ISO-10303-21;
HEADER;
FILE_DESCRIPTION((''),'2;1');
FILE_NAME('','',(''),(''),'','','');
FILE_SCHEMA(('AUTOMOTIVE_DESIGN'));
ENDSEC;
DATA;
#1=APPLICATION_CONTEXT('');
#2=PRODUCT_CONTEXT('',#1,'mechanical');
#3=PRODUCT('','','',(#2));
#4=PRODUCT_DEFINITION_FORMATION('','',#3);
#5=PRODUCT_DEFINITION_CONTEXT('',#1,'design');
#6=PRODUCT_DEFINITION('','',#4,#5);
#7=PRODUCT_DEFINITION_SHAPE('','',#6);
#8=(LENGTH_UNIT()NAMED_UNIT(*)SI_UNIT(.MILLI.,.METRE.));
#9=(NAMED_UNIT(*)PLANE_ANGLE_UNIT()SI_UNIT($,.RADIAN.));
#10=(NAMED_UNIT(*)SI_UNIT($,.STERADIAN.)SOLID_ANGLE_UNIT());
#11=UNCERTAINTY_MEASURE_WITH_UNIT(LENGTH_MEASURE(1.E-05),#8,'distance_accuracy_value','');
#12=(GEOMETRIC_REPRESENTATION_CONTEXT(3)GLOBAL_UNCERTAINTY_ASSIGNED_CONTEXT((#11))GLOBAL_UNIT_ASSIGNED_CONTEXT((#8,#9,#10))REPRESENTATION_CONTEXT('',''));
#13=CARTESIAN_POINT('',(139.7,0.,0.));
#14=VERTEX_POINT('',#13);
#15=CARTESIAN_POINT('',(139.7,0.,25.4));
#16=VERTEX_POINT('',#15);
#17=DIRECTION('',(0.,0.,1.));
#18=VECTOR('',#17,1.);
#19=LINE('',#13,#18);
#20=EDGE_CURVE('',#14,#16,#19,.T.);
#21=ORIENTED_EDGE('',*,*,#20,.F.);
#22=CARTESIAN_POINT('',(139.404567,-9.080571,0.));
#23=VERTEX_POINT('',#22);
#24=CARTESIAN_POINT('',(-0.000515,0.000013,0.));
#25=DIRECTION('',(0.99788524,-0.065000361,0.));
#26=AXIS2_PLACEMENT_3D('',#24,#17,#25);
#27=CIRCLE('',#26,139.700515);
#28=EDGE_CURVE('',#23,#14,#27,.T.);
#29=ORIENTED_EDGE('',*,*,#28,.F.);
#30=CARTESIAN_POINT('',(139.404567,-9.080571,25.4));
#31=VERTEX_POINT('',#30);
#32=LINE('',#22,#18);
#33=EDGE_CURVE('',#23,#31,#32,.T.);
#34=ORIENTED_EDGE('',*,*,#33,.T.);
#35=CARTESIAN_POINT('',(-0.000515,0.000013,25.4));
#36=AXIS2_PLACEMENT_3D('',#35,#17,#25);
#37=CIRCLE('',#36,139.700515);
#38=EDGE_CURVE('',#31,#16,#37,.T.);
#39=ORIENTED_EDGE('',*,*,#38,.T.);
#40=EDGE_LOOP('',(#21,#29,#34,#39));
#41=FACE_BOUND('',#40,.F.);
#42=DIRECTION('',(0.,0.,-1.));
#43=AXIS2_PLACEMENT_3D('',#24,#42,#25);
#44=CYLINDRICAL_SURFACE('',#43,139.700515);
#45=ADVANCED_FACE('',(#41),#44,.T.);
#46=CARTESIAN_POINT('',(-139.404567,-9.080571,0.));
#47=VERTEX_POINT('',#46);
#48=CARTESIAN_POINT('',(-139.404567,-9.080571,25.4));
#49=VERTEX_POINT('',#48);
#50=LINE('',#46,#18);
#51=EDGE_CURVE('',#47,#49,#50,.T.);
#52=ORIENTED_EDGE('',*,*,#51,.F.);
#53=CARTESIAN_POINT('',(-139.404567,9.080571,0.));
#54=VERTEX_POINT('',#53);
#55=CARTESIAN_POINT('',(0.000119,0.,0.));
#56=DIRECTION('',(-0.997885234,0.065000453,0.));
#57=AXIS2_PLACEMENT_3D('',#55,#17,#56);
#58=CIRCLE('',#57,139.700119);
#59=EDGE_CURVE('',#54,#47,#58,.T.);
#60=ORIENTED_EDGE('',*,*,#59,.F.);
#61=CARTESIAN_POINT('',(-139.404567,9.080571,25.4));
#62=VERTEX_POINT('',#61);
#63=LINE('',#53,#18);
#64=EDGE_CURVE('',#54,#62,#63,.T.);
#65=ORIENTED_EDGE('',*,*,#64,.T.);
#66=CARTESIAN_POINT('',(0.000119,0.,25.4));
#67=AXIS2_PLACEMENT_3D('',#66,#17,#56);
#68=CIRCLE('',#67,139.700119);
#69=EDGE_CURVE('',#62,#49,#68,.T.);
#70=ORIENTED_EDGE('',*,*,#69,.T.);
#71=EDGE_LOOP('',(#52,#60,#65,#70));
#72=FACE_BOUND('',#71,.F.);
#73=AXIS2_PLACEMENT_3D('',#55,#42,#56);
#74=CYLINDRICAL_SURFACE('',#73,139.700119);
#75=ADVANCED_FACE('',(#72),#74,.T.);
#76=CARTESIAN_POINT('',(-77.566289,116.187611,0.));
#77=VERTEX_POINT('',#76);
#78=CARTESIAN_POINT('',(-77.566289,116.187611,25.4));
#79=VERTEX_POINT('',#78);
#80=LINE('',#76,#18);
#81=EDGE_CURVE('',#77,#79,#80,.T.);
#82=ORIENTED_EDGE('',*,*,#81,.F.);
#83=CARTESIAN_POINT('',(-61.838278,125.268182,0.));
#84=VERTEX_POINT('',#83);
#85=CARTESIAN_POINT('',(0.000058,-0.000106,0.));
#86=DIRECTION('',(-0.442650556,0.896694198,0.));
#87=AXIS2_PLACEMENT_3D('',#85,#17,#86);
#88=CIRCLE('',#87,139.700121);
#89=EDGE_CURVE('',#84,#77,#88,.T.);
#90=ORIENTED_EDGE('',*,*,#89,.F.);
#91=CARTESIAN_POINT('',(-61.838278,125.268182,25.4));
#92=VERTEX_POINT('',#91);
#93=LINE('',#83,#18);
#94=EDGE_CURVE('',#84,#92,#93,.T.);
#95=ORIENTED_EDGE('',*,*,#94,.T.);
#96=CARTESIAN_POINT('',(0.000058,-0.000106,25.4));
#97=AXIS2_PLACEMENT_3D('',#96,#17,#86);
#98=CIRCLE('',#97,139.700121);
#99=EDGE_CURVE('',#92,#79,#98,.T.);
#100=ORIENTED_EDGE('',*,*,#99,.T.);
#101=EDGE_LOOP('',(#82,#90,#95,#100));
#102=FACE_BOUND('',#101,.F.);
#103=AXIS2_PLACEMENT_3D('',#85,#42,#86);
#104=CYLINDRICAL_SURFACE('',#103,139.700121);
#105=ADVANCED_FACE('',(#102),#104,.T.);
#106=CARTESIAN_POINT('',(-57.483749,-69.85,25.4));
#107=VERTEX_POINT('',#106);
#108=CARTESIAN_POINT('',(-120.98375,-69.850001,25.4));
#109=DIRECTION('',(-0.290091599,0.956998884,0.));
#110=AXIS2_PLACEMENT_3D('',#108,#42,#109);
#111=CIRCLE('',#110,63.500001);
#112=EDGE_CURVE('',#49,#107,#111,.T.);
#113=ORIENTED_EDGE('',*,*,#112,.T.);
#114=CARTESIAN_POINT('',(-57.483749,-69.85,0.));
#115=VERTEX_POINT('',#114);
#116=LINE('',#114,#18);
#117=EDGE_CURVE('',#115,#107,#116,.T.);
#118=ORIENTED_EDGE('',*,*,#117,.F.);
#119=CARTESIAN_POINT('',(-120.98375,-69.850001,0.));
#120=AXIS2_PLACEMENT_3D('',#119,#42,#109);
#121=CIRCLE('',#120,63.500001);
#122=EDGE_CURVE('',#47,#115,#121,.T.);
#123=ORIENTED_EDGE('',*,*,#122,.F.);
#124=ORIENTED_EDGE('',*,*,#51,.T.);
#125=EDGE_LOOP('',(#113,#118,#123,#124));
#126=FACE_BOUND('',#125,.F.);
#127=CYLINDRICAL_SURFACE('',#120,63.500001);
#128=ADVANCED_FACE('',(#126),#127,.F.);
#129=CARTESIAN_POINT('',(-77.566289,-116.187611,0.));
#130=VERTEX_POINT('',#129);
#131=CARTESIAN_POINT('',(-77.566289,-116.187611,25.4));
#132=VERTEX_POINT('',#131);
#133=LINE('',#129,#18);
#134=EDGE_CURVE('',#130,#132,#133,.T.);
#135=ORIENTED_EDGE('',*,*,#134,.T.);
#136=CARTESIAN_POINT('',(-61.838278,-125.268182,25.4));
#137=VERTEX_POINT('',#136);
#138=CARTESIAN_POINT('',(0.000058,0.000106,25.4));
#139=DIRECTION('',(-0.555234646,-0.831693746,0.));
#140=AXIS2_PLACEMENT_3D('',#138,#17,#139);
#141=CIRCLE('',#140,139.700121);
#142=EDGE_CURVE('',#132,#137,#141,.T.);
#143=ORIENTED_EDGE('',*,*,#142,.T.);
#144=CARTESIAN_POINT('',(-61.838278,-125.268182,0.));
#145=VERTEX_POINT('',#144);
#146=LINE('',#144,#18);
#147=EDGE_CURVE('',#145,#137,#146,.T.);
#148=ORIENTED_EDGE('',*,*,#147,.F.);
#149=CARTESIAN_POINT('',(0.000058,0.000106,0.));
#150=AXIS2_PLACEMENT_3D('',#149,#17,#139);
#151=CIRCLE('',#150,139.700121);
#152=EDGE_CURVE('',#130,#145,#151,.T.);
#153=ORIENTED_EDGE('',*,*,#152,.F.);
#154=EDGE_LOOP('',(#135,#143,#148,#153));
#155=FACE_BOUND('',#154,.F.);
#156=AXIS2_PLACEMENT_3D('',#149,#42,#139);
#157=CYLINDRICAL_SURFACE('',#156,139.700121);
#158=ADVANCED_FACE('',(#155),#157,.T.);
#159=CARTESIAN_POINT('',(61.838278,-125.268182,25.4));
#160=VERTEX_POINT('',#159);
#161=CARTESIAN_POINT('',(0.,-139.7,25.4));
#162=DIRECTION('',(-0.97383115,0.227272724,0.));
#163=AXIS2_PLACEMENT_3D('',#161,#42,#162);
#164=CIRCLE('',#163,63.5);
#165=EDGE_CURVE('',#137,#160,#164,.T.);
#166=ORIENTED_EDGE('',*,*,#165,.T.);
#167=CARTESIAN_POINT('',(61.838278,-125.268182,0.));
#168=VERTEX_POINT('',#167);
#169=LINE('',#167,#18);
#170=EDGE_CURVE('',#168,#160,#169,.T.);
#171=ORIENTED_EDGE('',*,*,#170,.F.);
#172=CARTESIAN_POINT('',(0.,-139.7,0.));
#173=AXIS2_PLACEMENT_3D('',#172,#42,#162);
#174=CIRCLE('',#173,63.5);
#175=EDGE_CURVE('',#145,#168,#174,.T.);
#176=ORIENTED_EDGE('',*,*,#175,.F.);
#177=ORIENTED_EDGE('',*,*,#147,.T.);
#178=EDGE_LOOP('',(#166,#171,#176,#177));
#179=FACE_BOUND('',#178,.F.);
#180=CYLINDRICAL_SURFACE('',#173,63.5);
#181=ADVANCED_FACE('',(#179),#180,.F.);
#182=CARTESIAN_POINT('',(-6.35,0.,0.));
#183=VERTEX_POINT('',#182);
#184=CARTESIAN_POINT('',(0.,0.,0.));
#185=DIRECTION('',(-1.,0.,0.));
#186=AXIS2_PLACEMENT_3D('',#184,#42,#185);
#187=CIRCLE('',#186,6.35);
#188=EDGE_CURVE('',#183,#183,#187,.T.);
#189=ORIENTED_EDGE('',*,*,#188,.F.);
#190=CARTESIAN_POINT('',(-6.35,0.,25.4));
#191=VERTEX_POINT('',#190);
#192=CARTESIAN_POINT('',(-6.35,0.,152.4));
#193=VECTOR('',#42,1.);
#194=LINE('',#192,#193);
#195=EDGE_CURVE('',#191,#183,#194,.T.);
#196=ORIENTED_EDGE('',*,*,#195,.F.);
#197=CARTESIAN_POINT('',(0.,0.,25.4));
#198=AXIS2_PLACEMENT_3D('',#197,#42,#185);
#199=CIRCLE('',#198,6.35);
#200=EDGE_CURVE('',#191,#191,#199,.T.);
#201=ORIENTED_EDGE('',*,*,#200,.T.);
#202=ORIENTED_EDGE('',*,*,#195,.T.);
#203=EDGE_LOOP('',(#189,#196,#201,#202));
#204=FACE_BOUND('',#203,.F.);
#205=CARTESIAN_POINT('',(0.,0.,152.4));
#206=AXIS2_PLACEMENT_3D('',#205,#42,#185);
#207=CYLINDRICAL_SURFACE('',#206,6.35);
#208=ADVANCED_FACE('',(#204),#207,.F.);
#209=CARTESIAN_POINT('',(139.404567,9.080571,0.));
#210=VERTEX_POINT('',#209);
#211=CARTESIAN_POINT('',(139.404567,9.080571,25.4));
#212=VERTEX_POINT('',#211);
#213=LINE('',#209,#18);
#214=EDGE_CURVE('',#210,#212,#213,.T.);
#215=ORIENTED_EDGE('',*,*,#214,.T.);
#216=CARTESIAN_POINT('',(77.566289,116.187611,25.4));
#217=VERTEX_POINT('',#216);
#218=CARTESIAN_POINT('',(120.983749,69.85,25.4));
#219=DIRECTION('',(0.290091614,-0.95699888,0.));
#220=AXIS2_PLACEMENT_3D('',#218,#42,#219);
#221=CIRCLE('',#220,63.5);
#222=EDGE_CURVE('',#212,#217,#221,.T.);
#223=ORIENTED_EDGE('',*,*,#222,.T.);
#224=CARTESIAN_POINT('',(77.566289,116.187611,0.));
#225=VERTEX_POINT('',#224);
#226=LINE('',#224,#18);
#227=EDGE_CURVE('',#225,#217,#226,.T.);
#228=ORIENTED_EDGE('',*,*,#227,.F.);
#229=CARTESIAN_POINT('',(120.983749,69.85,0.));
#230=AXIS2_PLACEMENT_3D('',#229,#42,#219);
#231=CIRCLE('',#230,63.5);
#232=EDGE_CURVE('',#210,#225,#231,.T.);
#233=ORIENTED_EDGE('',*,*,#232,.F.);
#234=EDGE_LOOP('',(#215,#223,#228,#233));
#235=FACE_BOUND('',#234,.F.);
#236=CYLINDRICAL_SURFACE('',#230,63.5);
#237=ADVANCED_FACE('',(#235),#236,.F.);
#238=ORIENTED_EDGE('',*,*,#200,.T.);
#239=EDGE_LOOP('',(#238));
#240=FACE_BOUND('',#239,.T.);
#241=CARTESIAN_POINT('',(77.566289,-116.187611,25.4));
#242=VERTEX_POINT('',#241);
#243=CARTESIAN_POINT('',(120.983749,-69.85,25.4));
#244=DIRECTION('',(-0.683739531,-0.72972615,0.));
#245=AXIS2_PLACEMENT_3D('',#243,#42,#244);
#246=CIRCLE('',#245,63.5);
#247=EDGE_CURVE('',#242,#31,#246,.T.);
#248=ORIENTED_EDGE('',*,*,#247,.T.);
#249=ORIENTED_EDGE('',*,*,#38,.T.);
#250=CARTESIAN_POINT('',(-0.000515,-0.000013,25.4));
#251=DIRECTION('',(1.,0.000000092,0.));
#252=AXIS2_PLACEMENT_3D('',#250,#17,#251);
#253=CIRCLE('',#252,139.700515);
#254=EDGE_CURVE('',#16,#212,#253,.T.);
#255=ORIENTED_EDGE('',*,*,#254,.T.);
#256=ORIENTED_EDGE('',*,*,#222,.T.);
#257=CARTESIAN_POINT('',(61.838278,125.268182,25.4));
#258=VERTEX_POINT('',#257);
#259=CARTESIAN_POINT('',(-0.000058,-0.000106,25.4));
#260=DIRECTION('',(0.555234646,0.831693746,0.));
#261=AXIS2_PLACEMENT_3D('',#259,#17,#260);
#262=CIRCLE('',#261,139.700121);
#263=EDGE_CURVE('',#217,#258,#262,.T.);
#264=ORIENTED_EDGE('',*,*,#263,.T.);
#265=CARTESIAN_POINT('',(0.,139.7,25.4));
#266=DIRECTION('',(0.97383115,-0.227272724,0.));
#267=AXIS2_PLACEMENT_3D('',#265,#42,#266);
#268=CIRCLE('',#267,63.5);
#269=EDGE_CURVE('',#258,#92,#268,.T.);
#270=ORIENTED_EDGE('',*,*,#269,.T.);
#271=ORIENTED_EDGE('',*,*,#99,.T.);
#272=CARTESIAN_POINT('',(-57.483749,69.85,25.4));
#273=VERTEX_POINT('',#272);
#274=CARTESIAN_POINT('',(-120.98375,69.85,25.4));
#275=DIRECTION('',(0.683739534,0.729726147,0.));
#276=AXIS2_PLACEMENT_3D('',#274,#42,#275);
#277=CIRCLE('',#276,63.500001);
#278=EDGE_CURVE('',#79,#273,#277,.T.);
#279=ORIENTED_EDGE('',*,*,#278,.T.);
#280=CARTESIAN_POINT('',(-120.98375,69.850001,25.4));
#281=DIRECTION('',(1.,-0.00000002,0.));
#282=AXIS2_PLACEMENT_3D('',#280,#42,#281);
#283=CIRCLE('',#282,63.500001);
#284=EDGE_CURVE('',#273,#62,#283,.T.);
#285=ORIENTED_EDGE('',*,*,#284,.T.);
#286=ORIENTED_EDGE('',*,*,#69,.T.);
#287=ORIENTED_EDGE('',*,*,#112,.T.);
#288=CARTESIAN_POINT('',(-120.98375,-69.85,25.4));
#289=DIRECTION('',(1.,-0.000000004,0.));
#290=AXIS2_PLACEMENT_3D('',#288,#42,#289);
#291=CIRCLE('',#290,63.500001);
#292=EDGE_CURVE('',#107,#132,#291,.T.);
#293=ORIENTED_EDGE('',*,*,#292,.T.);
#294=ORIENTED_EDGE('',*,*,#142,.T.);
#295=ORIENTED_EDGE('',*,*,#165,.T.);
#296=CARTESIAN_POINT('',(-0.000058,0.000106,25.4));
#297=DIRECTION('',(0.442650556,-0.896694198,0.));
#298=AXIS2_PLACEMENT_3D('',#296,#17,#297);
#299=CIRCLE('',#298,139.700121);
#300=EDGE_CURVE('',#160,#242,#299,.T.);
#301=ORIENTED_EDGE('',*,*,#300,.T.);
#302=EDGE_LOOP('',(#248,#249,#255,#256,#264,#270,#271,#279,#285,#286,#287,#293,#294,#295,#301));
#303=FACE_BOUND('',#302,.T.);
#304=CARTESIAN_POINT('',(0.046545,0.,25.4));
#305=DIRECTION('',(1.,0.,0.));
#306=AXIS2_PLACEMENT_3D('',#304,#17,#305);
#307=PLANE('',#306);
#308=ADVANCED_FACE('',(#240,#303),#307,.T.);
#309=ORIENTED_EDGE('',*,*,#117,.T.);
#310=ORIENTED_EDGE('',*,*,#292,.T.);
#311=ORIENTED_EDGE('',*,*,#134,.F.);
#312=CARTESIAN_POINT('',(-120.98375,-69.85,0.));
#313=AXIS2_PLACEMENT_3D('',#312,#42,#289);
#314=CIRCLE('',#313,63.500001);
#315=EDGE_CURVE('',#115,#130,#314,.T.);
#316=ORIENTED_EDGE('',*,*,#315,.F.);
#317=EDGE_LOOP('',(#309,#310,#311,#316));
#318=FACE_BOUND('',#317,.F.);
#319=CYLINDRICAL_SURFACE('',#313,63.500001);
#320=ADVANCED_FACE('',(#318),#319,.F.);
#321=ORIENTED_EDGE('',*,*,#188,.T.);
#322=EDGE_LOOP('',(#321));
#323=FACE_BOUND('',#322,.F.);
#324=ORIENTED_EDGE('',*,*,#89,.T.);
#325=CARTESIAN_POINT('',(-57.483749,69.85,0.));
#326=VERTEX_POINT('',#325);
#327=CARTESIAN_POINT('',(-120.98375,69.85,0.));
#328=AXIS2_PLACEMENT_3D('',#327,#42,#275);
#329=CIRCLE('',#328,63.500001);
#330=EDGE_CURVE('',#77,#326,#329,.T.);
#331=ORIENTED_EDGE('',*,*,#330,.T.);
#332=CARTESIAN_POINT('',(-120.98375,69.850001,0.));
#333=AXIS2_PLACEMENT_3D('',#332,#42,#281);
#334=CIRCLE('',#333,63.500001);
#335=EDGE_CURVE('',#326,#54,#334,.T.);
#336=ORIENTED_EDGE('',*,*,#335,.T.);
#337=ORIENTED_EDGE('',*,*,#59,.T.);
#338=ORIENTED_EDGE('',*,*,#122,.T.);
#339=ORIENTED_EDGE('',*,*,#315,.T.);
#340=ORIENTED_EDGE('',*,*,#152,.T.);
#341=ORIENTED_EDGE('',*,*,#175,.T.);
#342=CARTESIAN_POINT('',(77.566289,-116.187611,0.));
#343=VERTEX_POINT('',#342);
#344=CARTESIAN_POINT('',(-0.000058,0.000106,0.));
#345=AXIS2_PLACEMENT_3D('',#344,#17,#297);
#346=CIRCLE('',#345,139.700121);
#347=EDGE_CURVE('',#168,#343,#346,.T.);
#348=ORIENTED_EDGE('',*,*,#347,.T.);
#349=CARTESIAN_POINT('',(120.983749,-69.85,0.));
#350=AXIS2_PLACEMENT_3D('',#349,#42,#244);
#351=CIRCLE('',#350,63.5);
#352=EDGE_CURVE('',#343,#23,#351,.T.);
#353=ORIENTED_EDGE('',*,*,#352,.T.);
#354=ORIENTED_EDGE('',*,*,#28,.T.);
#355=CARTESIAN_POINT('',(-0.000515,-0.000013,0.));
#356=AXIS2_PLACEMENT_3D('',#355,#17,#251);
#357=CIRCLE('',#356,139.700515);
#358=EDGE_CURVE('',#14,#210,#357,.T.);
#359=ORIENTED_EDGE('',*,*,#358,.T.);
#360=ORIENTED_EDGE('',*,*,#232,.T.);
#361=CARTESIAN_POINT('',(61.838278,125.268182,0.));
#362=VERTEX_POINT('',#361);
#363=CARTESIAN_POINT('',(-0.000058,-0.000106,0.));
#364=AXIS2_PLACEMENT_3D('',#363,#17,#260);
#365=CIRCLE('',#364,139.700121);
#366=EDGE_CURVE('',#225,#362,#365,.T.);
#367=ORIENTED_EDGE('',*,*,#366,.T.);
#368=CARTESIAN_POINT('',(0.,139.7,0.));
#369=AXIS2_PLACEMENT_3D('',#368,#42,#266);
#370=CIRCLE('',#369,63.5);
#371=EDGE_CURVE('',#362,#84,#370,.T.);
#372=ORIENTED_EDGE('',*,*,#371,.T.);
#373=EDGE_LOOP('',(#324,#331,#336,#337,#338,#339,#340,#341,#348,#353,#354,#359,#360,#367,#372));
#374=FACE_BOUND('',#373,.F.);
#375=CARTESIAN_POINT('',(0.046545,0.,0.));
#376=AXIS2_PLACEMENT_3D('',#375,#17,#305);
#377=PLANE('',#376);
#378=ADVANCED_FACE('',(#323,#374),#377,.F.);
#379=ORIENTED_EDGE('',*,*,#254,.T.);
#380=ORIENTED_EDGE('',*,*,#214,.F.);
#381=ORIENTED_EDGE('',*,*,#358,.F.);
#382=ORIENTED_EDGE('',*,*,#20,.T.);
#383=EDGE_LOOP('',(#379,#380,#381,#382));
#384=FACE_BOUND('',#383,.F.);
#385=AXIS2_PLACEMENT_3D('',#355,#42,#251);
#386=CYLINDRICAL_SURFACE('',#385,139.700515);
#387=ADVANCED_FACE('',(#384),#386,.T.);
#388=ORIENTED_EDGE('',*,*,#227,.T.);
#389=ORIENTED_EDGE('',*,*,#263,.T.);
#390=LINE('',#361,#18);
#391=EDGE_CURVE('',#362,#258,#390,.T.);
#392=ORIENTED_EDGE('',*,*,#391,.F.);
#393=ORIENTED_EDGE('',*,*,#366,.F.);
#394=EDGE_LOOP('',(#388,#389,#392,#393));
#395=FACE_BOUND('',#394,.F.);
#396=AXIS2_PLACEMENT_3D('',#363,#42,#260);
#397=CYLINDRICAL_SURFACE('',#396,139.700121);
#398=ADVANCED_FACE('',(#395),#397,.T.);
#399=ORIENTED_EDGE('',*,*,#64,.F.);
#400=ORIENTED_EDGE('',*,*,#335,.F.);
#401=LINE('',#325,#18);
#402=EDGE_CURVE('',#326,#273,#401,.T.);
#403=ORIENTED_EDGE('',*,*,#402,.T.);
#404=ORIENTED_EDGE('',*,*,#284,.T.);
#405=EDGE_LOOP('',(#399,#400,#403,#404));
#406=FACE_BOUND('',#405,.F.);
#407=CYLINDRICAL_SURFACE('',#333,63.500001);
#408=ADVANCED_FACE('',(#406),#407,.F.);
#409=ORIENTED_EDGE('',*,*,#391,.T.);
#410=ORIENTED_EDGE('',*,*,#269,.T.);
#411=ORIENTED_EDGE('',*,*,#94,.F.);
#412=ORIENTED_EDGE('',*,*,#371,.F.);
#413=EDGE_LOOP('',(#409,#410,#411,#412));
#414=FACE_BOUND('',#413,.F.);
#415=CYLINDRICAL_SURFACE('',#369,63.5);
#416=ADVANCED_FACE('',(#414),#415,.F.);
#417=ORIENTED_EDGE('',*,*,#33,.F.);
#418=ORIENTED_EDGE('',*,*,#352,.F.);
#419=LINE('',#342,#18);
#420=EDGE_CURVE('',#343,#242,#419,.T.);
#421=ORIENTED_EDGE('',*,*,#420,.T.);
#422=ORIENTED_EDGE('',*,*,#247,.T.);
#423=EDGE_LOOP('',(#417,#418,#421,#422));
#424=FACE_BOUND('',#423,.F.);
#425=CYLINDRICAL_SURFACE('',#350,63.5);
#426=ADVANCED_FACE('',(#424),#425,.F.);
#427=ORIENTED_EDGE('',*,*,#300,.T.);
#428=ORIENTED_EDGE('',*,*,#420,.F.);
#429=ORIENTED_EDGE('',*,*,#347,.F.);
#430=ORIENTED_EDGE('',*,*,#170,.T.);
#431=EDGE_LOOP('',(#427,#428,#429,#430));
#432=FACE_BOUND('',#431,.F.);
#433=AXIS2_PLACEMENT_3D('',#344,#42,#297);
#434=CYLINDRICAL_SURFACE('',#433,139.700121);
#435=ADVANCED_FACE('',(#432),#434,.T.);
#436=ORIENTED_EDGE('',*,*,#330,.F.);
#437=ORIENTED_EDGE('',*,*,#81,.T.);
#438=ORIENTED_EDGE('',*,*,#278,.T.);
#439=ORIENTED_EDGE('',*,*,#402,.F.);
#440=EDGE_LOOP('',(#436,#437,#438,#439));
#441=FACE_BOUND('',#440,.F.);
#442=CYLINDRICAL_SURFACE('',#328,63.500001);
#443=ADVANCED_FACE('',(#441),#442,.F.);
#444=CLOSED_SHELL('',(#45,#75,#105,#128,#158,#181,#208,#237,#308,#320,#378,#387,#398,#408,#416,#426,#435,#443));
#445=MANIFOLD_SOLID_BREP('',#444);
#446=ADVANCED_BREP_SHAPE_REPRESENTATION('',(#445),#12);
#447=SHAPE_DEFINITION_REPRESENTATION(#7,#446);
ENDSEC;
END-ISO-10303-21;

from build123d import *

# Parameters (mm, degrees)
F2_DEPTH = 25.4
F4_D     = 12.7
F4_DEPTH = 127


with BuildPart() as f2:
    # F0 (on Top) → F2 (new body)
    with BuildSketch(Plane.XY):
        with BuildLine():
            ThreePointArc((139.404567, -9.080571), (139.626122, -4.542688), (139.7, 0))
            ThreePointArc((139.7, 0), (139.626122, 4.542688), (139.404567, 9.080571))
            ThreePointArc((139.404567, 9.080571), (65.991136, 38.1), (77.566289, 116.187611))
            ThreePointArc((77.566289, 116.187611), (69.85, 120.983749), (61.838278, 125.268182))
            ThreePointArc((61.838278, 125.268182), (0, 76.2), (-61.838278, 125.268182))
            ThreePointArc((-61.838278, 125.268182), (-69.85, 120.983749), (-77.566289, 116.187611))
            ThreePointArc((-77.566289, 116.187611), (-62.720301, 95.101151), (-57.483749, 69.85))
            ThreePointArc((-57.483749, 69.85), (-83.151699, 18.850138), (-139.404567, 9.080571))
            ThreePointArc((-139.404567, 9.080571), (-139.7, 0), (-139.404567, -9.080571))
            ThreePointArc((-139.404567, -9.080571), (-83.151699, -18.850138), (-57.483749, -69.85))
            ThreePointArc((-57.483749, -69.85), (-62.720301, -95.101151), (-77.566289, -116.187611))
            ThreePointArc((-77.566289, -116.187611), (-69.85, -120.983749), (-61.838278, -125.268182))
            ThreePointArc((-61.838278, -125.268182), (0, -76.2), (61.838278, -125.268182))
            ThreePointArc((61.838278, -125.268182), (69.85, -120.983749), (77.566289, -116.187611))
            ThreePointArc((77.566289, -116.187611), (65.991136, -38.1), (139.404567, -9.080571))
        make_face()
    extrude(amount=F2_DEPTH)

    # F4
    with Locations(Plane.XY.offset(25.4)):
        with Locations((0, 0)):
            Hole(F4_D / 2, depth=F4_DEPTH)


solid = f2.part
